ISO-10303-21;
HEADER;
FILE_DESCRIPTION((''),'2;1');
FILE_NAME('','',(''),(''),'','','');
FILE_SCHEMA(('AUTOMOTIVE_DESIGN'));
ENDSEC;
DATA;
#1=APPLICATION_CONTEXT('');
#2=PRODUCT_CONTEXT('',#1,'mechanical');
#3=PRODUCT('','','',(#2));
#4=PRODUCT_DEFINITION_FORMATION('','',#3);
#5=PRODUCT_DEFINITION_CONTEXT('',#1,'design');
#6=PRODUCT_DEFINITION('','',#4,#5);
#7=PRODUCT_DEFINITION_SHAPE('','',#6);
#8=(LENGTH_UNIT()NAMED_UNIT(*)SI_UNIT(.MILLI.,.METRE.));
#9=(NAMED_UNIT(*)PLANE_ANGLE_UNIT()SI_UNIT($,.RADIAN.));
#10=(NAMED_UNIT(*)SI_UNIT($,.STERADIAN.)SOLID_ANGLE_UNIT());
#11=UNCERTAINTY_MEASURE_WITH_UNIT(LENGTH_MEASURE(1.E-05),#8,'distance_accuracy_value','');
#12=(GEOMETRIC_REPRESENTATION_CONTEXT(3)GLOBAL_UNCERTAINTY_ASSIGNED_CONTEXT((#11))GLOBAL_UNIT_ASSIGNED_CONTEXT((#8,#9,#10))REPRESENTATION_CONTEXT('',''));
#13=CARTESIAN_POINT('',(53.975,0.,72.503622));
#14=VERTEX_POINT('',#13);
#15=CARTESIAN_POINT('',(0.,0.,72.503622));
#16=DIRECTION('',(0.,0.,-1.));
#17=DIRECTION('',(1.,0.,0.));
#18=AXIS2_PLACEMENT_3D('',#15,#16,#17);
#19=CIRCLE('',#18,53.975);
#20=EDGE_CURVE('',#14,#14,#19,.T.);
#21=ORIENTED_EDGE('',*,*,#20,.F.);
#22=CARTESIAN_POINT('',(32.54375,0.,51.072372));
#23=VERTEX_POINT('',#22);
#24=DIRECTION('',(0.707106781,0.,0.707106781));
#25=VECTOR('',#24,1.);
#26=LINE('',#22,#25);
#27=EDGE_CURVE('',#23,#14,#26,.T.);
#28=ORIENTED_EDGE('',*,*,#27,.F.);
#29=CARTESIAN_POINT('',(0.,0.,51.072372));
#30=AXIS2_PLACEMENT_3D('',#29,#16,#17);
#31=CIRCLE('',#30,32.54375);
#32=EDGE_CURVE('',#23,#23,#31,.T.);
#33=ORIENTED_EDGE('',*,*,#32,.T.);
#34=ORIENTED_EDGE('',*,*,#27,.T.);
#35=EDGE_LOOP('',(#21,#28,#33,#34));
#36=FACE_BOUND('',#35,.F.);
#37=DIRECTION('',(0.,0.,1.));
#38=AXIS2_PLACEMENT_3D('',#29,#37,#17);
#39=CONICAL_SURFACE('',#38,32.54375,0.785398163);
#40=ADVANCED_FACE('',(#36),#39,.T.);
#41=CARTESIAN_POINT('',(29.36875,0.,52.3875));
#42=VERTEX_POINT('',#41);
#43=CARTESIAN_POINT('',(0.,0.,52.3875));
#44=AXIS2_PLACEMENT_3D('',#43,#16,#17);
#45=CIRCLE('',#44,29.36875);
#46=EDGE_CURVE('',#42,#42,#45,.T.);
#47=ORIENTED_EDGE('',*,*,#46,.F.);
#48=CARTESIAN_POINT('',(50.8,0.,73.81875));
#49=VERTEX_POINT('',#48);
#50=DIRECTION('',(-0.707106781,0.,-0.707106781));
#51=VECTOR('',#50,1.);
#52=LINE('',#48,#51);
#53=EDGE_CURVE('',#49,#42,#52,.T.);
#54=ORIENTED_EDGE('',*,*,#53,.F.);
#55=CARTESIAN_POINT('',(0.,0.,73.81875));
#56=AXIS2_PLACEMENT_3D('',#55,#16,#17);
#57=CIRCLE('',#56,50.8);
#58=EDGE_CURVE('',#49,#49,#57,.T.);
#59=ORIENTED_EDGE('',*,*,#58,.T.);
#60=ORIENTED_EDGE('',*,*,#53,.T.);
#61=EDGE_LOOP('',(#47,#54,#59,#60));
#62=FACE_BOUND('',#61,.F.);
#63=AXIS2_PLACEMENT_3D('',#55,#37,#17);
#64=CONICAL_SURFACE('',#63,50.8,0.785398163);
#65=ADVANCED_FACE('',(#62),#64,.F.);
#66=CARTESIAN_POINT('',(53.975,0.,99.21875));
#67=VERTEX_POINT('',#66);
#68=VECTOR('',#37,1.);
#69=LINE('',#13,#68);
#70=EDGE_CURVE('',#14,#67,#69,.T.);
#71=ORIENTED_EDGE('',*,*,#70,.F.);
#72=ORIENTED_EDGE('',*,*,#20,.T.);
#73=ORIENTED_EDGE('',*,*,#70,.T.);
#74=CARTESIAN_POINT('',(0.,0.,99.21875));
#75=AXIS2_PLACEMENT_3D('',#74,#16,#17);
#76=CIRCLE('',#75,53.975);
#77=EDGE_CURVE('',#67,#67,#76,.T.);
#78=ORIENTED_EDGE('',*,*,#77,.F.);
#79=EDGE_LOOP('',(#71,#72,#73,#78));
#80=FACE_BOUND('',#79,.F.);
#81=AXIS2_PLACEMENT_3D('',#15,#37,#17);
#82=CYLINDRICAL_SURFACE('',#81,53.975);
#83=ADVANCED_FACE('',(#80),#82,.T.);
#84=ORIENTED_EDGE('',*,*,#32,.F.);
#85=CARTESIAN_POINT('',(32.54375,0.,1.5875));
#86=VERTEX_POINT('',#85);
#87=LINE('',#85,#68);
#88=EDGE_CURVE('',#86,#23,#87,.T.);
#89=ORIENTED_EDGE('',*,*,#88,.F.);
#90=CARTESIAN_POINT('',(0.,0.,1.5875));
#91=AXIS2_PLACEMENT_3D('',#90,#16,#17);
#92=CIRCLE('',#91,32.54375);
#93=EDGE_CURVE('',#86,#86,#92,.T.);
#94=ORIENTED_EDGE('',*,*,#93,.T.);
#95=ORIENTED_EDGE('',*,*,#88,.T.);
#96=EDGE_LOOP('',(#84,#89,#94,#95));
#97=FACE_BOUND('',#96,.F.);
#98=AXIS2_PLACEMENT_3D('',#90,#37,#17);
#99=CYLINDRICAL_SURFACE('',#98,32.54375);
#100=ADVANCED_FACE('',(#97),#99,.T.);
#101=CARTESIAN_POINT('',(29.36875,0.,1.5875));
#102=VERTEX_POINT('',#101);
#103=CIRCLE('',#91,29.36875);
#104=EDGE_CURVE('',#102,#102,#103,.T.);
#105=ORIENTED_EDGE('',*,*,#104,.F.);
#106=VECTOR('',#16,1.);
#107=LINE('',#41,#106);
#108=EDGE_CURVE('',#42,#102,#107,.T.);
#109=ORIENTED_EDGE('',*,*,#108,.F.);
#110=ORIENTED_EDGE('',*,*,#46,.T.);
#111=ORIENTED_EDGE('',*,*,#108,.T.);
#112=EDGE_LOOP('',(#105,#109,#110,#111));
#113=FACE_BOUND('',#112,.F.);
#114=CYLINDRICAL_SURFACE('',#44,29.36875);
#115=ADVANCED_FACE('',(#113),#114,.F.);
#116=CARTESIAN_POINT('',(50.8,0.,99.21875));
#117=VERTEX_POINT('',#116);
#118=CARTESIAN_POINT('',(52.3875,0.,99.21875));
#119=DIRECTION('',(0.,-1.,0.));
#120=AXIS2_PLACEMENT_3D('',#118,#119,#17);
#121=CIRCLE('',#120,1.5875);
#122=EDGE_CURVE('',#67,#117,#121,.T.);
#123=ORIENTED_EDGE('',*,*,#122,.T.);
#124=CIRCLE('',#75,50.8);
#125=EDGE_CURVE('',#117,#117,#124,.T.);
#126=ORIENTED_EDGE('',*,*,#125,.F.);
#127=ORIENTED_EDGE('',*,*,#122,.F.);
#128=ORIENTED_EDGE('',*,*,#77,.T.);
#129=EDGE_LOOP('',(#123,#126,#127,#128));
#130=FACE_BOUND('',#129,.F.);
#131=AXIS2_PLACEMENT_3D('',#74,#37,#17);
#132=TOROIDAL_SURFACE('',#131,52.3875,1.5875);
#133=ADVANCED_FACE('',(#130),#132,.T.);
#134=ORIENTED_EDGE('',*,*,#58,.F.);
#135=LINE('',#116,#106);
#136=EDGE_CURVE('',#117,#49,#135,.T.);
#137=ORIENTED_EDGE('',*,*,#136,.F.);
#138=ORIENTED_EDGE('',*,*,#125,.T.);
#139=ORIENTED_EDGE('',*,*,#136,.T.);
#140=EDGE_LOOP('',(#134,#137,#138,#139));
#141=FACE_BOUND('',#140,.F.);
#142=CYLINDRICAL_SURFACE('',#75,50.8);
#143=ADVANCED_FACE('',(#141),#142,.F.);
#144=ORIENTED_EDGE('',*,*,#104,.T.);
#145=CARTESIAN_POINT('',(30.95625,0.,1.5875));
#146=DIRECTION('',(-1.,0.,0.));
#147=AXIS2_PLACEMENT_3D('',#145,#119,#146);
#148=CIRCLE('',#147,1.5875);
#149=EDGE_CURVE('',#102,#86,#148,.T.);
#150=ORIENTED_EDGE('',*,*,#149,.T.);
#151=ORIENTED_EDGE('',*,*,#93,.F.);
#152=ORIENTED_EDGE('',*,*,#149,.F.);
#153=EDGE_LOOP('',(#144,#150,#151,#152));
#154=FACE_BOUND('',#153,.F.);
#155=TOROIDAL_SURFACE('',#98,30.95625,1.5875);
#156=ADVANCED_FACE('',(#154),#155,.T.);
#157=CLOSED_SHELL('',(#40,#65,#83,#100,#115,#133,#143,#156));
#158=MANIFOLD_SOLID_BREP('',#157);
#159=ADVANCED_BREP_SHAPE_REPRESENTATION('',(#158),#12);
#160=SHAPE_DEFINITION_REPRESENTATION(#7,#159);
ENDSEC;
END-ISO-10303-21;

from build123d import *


with BuildPart() as f1:
    # F0 (on Front) → F1 (revolve)
    with BuildSketch(Plane.XZ):
        with BuildLine():
            Line((29.36875, 52.3875), (29.36875, 1.5875))
            ThreePointArc((29.36875, 1.5875), (30.95625, 0), (32.54375, 1.5875))
            Line((32.54375, 1.5875), (32.54375, 51.072372))
            Line((32.54375, 51.072372), (53.975, 72.503622))
            Line((53.975, 72.503622), (53.975, 99.21875))
            ThreePointArc((53.975, 99.21875), (52.3875, 100.80625), (50.8, 99.21875))
            Line((50.8, 99.21875), (50.8, 73.81875))
            Line((50.8, 73.81875), (29.36875, 52.3875))
        make_face()
    revolve(axis=Axis((0, 0, 21.63379), (0, 0, -1)))


solid = f1.part
